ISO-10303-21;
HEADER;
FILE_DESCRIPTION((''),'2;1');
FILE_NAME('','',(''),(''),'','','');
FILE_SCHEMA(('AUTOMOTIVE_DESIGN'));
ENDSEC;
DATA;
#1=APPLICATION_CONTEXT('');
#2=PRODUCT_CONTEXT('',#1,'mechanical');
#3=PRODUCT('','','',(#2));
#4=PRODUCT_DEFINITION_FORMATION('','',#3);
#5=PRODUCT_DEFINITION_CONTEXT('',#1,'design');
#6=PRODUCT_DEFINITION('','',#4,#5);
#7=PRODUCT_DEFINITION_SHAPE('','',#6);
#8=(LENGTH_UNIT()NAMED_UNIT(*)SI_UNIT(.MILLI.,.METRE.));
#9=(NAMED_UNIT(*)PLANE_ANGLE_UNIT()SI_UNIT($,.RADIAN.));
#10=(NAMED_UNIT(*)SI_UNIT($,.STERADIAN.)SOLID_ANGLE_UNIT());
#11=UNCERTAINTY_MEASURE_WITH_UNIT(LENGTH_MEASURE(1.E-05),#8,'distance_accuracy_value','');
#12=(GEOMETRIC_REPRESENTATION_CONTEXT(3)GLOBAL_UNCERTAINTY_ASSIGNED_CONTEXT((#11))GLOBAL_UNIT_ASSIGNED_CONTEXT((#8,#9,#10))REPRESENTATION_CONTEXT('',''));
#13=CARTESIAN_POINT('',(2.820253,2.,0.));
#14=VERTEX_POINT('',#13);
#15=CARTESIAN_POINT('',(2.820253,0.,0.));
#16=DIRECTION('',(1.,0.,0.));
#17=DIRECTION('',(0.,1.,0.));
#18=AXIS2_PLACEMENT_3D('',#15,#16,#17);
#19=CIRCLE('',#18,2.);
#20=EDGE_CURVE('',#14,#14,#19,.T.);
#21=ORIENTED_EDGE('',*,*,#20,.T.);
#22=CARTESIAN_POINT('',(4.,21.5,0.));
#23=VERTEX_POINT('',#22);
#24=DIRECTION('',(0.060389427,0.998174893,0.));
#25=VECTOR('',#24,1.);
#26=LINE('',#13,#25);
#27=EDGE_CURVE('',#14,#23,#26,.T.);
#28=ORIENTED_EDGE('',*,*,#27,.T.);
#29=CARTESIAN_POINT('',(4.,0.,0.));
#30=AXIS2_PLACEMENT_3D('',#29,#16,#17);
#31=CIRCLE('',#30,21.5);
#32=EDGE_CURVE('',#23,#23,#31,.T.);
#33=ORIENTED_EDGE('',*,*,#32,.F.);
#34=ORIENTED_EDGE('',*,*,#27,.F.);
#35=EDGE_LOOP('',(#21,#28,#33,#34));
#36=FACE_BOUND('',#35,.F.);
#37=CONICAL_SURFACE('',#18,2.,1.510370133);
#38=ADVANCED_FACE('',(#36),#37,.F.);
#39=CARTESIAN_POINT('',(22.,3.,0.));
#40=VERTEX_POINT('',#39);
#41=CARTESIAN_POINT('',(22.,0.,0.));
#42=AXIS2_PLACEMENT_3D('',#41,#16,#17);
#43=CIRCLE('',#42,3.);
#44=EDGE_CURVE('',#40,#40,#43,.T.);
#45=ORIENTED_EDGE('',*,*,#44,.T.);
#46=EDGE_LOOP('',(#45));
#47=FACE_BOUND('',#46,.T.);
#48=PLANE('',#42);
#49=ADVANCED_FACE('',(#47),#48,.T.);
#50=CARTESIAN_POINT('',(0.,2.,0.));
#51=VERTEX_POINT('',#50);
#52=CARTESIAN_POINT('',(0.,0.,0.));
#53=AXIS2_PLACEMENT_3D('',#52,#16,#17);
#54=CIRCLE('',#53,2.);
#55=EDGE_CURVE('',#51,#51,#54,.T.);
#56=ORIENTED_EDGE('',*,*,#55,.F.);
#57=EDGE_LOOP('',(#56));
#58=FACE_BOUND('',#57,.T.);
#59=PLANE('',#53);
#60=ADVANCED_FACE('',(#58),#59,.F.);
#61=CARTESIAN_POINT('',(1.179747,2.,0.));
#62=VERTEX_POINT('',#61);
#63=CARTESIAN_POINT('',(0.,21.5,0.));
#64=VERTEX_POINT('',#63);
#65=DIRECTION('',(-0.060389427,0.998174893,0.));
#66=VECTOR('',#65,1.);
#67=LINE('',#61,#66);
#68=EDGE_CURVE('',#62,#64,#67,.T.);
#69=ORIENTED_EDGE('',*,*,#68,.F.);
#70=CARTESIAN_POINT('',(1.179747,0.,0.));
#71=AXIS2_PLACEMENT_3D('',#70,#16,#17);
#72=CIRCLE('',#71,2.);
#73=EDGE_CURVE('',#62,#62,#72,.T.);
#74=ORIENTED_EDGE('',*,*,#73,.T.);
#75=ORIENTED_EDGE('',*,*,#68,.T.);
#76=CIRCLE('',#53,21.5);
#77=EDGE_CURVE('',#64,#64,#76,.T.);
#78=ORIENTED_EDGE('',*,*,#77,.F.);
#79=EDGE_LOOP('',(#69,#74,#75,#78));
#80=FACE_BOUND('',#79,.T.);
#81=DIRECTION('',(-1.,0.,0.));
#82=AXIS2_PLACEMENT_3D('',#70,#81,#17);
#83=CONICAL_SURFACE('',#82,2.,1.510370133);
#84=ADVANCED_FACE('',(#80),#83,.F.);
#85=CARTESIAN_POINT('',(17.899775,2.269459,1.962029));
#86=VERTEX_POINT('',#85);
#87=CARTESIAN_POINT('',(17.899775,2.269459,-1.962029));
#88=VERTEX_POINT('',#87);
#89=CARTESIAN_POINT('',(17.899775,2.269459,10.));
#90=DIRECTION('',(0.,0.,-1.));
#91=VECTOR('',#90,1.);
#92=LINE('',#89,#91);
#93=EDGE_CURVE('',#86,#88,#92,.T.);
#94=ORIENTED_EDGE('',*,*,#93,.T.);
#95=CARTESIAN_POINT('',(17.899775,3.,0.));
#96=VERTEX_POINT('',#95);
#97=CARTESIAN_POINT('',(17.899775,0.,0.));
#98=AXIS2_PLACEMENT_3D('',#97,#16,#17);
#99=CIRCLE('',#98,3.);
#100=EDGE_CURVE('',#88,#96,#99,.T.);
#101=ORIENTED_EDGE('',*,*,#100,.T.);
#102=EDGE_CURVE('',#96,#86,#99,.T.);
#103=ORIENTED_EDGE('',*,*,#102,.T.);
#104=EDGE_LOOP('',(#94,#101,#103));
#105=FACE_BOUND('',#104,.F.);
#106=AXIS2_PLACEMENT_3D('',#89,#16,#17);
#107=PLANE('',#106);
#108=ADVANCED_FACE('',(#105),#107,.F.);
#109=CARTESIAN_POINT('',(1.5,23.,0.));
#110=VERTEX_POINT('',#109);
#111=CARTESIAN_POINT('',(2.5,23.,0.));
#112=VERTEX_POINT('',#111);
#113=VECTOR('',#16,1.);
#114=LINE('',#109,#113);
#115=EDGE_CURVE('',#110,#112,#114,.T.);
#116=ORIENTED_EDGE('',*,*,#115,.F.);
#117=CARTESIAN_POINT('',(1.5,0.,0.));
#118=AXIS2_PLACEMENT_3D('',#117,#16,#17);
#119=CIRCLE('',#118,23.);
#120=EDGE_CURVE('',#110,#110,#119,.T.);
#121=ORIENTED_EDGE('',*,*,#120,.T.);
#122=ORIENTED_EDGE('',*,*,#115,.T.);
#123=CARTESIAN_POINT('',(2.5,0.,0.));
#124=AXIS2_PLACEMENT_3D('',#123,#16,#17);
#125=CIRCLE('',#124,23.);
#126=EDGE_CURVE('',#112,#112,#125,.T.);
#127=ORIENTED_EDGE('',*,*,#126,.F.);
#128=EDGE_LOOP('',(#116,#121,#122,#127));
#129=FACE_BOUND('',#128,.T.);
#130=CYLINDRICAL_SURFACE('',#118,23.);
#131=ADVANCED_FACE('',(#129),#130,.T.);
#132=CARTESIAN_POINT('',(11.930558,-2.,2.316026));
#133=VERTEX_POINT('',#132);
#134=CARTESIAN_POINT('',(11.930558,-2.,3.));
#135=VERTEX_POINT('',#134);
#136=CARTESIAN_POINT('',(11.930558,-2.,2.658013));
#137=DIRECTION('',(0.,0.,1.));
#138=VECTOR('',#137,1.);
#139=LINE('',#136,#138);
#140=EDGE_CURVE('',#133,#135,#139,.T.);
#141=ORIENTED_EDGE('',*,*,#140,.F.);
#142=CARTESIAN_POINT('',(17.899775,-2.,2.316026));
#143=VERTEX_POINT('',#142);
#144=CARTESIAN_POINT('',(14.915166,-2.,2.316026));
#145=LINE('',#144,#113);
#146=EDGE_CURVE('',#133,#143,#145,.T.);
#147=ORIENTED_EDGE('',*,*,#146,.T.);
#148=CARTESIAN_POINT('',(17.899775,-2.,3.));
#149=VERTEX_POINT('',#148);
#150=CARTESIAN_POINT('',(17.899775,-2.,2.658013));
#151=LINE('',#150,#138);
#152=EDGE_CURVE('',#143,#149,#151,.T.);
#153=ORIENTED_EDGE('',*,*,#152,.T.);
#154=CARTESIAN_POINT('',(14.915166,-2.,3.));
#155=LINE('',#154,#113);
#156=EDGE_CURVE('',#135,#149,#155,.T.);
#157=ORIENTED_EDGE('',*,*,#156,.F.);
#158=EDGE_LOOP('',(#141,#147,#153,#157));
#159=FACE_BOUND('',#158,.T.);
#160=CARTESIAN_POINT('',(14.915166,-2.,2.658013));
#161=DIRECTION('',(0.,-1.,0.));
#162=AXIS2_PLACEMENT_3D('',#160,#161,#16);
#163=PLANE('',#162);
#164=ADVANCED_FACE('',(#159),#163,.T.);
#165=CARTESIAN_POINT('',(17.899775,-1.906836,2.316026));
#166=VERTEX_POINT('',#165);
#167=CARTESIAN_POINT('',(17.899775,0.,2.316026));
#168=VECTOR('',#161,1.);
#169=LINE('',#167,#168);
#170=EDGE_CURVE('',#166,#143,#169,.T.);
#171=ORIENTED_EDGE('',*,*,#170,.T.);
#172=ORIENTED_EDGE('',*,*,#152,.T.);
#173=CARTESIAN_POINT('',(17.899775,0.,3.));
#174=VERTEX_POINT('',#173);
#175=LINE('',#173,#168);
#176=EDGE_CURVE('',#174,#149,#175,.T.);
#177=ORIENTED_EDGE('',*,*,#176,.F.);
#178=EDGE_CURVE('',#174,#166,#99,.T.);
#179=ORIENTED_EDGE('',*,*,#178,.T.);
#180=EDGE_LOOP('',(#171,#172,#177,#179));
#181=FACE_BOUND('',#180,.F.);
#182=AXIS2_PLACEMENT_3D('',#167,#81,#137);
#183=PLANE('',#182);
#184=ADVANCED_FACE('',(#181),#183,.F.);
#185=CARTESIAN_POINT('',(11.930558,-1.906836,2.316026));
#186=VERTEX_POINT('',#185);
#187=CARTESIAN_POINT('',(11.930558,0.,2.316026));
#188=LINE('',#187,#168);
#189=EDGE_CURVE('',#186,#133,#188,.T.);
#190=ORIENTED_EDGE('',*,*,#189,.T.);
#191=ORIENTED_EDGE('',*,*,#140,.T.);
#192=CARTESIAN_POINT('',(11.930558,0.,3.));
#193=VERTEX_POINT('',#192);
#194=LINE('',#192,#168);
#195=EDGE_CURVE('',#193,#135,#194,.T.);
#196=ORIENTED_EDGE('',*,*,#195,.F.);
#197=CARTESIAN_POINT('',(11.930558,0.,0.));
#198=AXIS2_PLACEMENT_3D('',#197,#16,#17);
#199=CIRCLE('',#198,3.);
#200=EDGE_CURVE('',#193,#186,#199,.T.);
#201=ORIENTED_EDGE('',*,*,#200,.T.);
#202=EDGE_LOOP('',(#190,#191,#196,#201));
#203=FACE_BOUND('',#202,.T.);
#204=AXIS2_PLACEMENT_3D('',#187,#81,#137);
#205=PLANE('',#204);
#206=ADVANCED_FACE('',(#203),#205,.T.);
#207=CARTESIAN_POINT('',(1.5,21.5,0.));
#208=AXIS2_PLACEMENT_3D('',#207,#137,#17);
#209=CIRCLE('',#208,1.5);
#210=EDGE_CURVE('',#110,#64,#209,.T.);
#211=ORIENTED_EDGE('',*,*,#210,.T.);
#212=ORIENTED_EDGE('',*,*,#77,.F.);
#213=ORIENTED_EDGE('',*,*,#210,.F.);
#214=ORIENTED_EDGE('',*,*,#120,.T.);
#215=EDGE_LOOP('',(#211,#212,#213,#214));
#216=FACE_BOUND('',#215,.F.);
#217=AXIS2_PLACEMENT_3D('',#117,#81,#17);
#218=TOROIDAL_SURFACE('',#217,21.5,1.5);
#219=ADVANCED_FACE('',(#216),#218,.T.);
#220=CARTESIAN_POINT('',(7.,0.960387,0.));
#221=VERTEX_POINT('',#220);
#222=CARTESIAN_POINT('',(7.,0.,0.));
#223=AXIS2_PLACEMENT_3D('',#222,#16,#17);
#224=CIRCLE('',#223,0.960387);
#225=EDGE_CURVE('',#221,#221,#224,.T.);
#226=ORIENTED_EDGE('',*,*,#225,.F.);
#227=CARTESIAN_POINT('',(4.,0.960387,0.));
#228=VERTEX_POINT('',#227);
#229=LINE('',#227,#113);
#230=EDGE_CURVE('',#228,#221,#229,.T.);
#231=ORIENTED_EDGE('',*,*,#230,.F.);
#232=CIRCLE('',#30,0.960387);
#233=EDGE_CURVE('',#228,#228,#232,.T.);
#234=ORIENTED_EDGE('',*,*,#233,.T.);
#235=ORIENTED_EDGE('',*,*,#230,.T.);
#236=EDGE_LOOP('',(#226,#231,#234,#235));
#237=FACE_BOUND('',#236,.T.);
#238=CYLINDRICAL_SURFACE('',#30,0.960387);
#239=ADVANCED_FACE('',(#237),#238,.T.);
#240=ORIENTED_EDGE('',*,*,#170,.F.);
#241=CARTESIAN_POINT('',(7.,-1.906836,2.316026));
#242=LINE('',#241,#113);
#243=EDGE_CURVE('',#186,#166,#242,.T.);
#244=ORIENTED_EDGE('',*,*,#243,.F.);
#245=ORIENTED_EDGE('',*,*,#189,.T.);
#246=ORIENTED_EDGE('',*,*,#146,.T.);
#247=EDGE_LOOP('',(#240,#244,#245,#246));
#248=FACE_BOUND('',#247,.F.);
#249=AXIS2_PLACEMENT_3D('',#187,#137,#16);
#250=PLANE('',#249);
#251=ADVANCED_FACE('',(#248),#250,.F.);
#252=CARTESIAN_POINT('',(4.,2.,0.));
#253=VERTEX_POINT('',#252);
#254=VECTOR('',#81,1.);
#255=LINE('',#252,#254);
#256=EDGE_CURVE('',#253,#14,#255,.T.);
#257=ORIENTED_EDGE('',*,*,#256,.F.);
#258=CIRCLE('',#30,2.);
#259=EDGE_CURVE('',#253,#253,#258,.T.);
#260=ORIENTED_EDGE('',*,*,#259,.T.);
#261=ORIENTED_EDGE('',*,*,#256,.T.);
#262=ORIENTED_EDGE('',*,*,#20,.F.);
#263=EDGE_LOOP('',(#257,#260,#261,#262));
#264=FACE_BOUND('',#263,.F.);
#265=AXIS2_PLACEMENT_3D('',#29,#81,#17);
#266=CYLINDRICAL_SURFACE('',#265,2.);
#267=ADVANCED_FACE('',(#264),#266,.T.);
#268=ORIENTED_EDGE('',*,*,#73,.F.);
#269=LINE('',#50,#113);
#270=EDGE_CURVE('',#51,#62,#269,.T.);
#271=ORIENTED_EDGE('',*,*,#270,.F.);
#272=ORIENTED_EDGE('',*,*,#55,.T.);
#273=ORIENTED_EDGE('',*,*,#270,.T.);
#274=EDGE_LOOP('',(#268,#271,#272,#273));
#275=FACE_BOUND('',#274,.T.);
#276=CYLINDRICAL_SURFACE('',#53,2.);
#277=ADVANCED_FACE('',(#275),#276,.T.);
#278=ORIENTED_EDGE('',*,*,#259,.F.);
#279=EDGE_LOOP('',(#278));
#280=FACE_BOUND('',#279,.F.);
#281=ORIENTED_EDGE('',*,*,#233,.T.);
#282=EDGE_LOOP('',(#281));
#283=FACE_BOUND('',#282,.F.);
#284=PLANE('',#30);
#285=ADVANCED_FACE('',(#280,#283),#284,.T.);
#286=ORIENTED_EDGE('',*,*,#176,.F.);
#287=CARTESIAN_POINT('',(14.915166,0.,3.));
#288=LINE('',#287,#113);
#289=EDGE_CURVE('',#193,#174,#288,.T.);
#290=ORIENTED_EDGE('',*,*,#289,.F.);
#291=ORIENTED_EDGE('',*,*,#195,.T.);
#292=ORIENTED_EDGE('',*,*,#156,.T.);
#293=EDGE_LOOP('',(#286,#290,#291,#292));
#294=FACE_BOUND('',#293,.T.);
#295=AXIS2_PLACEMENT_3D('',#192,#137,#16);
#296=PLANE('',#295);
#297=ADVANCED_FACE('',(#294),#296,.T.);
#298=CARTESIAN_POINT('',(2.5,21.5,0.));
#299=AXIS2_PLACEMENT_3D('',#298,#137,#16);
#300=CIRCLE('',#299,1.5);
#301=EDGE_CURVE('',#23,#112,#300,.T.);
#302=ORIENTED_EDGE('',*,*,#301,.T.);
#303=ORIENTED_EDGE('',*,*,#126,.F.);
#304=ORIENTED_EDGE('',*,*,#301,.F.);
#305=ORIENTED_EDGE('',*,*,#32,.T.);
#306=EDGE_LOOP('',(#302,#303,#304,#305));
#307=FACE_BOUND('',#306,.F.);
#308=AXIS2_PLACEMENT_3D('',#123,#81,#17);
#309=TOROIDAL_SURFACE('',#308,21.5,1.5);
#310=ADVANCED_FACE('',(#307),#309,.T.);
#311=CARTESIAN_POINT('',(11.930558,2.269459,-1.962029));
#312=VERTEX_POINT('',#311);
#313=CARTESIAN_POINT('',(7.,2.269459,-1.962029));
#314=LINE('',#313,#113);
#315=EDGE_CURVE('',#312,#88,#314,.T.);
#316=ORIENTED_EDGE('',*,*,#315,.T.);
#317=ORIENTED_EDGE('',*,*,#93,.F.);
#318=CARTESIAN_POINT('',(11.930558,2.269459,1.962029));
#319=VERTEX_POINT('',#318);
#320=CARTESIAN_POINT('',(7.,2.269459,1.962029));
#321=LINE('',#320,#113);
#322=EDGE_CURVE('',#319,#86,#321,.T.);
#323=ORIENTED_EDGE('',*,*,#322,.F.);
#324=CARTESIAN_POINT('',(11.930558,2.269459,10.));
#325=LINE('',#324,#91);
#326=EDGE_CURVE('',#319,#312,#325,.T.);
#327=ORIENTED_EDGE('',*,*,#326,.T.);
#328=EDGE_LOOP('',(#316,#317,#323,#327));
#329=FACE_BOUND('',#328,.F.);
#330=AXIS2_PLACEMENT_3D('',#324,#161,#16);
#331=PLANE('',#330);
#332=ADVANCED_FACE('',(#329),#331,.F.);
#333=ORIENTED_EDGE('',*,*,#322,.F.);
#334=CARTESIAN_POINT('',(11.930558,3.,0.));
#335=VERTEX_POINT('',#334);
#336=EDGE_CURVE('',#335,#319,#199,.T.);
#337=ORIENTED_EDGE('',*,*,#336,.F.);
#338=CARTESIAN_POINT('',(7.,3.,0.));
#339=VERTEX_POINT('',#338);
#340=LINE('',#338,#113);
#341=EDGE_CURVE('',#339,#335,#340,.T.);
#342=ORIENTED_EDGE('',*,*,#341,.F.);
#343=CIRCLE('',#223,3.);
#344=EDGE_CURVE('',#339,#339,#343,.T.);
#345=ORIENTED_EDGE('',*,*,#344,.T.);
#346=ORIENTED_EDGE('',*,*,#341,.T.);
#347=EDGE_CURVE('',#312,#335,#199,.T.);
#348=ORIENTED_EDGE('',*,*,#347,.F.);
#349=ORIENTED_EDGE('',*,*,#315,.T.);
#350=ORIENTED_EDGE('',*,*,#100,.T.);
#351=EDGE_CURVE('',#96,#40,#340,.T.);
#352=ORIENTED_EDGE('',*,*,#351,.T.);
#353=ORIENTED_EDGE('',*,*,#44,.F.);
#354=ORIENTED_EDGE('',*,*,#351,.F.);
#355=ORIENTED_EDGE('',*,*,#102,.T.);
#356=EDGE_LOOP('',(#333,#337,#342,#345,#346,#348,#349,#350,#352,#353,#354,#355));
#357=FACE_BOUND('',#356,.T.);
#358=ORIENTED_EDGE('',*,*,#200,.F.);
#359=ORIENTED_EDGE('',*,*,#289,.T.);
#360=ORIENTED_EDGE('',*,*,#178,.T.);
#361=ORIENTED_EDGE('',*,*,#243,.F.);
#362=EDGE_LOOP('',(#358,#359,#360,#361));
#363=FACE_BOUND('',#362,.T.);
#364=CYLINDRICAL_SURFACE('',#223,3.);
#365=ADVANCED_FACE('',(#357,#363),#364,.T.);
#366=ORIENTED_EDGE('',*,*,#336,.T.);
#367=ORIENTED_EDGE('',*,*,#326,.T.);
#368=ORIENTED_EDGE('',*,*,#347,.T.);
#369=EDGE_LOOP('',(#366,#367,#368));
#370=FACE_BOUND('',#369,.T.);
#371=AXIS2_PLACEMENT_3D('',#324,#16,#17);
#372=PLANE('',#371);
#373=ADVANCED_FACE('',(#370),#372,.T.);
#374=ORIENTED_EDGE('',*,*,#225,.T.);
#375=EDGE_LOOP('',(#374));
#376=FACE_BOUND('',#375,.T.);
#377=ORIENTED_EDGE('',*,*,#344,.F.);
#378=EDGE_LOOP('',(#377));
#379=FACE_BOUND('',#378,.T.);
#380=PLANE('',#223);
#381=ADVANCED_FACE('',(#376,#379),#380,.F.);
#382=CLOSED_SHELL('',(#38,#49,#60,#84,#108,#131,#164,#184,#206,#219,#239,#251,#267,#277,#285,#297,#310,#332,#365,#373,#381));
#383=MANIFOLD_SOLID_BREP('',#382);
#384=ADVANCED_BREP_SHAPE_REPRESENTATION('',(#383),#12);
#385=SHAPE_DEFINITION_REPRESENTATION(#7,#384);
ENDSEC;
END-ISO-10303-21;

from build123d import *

# Parameters (mm, degrees)
SKETCH001_W  = 5.969217
SKETCH001_H  = 0.730541
POCKET_DEPTH = 33.001
SKETCH002_W  = 5.969217
SKETCH002_H  = 0.683974
PAD_DEPTH    = 2


with BuildPart() as part:
    # Sketch → Revolution (revolve)
    with BuildSketch(Plane.XY):
        with BuildLine():
            Line((1.5, 23), (2.5, 23))
            ThreePointArc((4, 21.5), (3.5606601718, 22.5606601718), (2.5, 23))
            Line((2.820253, 2), (4, 21.5))
            Line((4, 2), (2.820253, 2))
            Line((4, 0.960387), (4, 2))
            Line((4, 0.960387), (7, 0.960387))
            Line((7, 0.960387), (7, 3))
            Line((7, 3), (22, 3))
            Line((22, 3), (22, 0))
            Line((22, 0), (0, 0))
            Line((0, 0), (0, 2))
            Line((0, 2), (1.179747, 2))
            Line((1.179747, 2), (0, 21.5))
            ThreePointArc((1.5, 23), (0.4393398282, 22.5606601718), (0, 21.5))
        make_face()
    revolve(axis=Axis((0, 0, 0), (1, 0, 0)))

    # Sketch001 → Pocket (cut, through all)
    with BuildSketch(Plane.XY.offset(10)):
        with Locations((14.9151665, 2.6347295)):
            Rectangle(SKETCH001_W, SKETCH001_H)
    extrude(amount=-POCKET_DEPTH, mode=Mode.SUBTRACT)

    # Sketch002 → Pad (join)
    with BuildSketch(Plane.XZ):
        with Locations((14.9151665, 2.658013)):
            Rectangle(SKETCH002_W, SKETCH002_H)
    extrude(amount=PAD_DEPTH)


solid = part.part
